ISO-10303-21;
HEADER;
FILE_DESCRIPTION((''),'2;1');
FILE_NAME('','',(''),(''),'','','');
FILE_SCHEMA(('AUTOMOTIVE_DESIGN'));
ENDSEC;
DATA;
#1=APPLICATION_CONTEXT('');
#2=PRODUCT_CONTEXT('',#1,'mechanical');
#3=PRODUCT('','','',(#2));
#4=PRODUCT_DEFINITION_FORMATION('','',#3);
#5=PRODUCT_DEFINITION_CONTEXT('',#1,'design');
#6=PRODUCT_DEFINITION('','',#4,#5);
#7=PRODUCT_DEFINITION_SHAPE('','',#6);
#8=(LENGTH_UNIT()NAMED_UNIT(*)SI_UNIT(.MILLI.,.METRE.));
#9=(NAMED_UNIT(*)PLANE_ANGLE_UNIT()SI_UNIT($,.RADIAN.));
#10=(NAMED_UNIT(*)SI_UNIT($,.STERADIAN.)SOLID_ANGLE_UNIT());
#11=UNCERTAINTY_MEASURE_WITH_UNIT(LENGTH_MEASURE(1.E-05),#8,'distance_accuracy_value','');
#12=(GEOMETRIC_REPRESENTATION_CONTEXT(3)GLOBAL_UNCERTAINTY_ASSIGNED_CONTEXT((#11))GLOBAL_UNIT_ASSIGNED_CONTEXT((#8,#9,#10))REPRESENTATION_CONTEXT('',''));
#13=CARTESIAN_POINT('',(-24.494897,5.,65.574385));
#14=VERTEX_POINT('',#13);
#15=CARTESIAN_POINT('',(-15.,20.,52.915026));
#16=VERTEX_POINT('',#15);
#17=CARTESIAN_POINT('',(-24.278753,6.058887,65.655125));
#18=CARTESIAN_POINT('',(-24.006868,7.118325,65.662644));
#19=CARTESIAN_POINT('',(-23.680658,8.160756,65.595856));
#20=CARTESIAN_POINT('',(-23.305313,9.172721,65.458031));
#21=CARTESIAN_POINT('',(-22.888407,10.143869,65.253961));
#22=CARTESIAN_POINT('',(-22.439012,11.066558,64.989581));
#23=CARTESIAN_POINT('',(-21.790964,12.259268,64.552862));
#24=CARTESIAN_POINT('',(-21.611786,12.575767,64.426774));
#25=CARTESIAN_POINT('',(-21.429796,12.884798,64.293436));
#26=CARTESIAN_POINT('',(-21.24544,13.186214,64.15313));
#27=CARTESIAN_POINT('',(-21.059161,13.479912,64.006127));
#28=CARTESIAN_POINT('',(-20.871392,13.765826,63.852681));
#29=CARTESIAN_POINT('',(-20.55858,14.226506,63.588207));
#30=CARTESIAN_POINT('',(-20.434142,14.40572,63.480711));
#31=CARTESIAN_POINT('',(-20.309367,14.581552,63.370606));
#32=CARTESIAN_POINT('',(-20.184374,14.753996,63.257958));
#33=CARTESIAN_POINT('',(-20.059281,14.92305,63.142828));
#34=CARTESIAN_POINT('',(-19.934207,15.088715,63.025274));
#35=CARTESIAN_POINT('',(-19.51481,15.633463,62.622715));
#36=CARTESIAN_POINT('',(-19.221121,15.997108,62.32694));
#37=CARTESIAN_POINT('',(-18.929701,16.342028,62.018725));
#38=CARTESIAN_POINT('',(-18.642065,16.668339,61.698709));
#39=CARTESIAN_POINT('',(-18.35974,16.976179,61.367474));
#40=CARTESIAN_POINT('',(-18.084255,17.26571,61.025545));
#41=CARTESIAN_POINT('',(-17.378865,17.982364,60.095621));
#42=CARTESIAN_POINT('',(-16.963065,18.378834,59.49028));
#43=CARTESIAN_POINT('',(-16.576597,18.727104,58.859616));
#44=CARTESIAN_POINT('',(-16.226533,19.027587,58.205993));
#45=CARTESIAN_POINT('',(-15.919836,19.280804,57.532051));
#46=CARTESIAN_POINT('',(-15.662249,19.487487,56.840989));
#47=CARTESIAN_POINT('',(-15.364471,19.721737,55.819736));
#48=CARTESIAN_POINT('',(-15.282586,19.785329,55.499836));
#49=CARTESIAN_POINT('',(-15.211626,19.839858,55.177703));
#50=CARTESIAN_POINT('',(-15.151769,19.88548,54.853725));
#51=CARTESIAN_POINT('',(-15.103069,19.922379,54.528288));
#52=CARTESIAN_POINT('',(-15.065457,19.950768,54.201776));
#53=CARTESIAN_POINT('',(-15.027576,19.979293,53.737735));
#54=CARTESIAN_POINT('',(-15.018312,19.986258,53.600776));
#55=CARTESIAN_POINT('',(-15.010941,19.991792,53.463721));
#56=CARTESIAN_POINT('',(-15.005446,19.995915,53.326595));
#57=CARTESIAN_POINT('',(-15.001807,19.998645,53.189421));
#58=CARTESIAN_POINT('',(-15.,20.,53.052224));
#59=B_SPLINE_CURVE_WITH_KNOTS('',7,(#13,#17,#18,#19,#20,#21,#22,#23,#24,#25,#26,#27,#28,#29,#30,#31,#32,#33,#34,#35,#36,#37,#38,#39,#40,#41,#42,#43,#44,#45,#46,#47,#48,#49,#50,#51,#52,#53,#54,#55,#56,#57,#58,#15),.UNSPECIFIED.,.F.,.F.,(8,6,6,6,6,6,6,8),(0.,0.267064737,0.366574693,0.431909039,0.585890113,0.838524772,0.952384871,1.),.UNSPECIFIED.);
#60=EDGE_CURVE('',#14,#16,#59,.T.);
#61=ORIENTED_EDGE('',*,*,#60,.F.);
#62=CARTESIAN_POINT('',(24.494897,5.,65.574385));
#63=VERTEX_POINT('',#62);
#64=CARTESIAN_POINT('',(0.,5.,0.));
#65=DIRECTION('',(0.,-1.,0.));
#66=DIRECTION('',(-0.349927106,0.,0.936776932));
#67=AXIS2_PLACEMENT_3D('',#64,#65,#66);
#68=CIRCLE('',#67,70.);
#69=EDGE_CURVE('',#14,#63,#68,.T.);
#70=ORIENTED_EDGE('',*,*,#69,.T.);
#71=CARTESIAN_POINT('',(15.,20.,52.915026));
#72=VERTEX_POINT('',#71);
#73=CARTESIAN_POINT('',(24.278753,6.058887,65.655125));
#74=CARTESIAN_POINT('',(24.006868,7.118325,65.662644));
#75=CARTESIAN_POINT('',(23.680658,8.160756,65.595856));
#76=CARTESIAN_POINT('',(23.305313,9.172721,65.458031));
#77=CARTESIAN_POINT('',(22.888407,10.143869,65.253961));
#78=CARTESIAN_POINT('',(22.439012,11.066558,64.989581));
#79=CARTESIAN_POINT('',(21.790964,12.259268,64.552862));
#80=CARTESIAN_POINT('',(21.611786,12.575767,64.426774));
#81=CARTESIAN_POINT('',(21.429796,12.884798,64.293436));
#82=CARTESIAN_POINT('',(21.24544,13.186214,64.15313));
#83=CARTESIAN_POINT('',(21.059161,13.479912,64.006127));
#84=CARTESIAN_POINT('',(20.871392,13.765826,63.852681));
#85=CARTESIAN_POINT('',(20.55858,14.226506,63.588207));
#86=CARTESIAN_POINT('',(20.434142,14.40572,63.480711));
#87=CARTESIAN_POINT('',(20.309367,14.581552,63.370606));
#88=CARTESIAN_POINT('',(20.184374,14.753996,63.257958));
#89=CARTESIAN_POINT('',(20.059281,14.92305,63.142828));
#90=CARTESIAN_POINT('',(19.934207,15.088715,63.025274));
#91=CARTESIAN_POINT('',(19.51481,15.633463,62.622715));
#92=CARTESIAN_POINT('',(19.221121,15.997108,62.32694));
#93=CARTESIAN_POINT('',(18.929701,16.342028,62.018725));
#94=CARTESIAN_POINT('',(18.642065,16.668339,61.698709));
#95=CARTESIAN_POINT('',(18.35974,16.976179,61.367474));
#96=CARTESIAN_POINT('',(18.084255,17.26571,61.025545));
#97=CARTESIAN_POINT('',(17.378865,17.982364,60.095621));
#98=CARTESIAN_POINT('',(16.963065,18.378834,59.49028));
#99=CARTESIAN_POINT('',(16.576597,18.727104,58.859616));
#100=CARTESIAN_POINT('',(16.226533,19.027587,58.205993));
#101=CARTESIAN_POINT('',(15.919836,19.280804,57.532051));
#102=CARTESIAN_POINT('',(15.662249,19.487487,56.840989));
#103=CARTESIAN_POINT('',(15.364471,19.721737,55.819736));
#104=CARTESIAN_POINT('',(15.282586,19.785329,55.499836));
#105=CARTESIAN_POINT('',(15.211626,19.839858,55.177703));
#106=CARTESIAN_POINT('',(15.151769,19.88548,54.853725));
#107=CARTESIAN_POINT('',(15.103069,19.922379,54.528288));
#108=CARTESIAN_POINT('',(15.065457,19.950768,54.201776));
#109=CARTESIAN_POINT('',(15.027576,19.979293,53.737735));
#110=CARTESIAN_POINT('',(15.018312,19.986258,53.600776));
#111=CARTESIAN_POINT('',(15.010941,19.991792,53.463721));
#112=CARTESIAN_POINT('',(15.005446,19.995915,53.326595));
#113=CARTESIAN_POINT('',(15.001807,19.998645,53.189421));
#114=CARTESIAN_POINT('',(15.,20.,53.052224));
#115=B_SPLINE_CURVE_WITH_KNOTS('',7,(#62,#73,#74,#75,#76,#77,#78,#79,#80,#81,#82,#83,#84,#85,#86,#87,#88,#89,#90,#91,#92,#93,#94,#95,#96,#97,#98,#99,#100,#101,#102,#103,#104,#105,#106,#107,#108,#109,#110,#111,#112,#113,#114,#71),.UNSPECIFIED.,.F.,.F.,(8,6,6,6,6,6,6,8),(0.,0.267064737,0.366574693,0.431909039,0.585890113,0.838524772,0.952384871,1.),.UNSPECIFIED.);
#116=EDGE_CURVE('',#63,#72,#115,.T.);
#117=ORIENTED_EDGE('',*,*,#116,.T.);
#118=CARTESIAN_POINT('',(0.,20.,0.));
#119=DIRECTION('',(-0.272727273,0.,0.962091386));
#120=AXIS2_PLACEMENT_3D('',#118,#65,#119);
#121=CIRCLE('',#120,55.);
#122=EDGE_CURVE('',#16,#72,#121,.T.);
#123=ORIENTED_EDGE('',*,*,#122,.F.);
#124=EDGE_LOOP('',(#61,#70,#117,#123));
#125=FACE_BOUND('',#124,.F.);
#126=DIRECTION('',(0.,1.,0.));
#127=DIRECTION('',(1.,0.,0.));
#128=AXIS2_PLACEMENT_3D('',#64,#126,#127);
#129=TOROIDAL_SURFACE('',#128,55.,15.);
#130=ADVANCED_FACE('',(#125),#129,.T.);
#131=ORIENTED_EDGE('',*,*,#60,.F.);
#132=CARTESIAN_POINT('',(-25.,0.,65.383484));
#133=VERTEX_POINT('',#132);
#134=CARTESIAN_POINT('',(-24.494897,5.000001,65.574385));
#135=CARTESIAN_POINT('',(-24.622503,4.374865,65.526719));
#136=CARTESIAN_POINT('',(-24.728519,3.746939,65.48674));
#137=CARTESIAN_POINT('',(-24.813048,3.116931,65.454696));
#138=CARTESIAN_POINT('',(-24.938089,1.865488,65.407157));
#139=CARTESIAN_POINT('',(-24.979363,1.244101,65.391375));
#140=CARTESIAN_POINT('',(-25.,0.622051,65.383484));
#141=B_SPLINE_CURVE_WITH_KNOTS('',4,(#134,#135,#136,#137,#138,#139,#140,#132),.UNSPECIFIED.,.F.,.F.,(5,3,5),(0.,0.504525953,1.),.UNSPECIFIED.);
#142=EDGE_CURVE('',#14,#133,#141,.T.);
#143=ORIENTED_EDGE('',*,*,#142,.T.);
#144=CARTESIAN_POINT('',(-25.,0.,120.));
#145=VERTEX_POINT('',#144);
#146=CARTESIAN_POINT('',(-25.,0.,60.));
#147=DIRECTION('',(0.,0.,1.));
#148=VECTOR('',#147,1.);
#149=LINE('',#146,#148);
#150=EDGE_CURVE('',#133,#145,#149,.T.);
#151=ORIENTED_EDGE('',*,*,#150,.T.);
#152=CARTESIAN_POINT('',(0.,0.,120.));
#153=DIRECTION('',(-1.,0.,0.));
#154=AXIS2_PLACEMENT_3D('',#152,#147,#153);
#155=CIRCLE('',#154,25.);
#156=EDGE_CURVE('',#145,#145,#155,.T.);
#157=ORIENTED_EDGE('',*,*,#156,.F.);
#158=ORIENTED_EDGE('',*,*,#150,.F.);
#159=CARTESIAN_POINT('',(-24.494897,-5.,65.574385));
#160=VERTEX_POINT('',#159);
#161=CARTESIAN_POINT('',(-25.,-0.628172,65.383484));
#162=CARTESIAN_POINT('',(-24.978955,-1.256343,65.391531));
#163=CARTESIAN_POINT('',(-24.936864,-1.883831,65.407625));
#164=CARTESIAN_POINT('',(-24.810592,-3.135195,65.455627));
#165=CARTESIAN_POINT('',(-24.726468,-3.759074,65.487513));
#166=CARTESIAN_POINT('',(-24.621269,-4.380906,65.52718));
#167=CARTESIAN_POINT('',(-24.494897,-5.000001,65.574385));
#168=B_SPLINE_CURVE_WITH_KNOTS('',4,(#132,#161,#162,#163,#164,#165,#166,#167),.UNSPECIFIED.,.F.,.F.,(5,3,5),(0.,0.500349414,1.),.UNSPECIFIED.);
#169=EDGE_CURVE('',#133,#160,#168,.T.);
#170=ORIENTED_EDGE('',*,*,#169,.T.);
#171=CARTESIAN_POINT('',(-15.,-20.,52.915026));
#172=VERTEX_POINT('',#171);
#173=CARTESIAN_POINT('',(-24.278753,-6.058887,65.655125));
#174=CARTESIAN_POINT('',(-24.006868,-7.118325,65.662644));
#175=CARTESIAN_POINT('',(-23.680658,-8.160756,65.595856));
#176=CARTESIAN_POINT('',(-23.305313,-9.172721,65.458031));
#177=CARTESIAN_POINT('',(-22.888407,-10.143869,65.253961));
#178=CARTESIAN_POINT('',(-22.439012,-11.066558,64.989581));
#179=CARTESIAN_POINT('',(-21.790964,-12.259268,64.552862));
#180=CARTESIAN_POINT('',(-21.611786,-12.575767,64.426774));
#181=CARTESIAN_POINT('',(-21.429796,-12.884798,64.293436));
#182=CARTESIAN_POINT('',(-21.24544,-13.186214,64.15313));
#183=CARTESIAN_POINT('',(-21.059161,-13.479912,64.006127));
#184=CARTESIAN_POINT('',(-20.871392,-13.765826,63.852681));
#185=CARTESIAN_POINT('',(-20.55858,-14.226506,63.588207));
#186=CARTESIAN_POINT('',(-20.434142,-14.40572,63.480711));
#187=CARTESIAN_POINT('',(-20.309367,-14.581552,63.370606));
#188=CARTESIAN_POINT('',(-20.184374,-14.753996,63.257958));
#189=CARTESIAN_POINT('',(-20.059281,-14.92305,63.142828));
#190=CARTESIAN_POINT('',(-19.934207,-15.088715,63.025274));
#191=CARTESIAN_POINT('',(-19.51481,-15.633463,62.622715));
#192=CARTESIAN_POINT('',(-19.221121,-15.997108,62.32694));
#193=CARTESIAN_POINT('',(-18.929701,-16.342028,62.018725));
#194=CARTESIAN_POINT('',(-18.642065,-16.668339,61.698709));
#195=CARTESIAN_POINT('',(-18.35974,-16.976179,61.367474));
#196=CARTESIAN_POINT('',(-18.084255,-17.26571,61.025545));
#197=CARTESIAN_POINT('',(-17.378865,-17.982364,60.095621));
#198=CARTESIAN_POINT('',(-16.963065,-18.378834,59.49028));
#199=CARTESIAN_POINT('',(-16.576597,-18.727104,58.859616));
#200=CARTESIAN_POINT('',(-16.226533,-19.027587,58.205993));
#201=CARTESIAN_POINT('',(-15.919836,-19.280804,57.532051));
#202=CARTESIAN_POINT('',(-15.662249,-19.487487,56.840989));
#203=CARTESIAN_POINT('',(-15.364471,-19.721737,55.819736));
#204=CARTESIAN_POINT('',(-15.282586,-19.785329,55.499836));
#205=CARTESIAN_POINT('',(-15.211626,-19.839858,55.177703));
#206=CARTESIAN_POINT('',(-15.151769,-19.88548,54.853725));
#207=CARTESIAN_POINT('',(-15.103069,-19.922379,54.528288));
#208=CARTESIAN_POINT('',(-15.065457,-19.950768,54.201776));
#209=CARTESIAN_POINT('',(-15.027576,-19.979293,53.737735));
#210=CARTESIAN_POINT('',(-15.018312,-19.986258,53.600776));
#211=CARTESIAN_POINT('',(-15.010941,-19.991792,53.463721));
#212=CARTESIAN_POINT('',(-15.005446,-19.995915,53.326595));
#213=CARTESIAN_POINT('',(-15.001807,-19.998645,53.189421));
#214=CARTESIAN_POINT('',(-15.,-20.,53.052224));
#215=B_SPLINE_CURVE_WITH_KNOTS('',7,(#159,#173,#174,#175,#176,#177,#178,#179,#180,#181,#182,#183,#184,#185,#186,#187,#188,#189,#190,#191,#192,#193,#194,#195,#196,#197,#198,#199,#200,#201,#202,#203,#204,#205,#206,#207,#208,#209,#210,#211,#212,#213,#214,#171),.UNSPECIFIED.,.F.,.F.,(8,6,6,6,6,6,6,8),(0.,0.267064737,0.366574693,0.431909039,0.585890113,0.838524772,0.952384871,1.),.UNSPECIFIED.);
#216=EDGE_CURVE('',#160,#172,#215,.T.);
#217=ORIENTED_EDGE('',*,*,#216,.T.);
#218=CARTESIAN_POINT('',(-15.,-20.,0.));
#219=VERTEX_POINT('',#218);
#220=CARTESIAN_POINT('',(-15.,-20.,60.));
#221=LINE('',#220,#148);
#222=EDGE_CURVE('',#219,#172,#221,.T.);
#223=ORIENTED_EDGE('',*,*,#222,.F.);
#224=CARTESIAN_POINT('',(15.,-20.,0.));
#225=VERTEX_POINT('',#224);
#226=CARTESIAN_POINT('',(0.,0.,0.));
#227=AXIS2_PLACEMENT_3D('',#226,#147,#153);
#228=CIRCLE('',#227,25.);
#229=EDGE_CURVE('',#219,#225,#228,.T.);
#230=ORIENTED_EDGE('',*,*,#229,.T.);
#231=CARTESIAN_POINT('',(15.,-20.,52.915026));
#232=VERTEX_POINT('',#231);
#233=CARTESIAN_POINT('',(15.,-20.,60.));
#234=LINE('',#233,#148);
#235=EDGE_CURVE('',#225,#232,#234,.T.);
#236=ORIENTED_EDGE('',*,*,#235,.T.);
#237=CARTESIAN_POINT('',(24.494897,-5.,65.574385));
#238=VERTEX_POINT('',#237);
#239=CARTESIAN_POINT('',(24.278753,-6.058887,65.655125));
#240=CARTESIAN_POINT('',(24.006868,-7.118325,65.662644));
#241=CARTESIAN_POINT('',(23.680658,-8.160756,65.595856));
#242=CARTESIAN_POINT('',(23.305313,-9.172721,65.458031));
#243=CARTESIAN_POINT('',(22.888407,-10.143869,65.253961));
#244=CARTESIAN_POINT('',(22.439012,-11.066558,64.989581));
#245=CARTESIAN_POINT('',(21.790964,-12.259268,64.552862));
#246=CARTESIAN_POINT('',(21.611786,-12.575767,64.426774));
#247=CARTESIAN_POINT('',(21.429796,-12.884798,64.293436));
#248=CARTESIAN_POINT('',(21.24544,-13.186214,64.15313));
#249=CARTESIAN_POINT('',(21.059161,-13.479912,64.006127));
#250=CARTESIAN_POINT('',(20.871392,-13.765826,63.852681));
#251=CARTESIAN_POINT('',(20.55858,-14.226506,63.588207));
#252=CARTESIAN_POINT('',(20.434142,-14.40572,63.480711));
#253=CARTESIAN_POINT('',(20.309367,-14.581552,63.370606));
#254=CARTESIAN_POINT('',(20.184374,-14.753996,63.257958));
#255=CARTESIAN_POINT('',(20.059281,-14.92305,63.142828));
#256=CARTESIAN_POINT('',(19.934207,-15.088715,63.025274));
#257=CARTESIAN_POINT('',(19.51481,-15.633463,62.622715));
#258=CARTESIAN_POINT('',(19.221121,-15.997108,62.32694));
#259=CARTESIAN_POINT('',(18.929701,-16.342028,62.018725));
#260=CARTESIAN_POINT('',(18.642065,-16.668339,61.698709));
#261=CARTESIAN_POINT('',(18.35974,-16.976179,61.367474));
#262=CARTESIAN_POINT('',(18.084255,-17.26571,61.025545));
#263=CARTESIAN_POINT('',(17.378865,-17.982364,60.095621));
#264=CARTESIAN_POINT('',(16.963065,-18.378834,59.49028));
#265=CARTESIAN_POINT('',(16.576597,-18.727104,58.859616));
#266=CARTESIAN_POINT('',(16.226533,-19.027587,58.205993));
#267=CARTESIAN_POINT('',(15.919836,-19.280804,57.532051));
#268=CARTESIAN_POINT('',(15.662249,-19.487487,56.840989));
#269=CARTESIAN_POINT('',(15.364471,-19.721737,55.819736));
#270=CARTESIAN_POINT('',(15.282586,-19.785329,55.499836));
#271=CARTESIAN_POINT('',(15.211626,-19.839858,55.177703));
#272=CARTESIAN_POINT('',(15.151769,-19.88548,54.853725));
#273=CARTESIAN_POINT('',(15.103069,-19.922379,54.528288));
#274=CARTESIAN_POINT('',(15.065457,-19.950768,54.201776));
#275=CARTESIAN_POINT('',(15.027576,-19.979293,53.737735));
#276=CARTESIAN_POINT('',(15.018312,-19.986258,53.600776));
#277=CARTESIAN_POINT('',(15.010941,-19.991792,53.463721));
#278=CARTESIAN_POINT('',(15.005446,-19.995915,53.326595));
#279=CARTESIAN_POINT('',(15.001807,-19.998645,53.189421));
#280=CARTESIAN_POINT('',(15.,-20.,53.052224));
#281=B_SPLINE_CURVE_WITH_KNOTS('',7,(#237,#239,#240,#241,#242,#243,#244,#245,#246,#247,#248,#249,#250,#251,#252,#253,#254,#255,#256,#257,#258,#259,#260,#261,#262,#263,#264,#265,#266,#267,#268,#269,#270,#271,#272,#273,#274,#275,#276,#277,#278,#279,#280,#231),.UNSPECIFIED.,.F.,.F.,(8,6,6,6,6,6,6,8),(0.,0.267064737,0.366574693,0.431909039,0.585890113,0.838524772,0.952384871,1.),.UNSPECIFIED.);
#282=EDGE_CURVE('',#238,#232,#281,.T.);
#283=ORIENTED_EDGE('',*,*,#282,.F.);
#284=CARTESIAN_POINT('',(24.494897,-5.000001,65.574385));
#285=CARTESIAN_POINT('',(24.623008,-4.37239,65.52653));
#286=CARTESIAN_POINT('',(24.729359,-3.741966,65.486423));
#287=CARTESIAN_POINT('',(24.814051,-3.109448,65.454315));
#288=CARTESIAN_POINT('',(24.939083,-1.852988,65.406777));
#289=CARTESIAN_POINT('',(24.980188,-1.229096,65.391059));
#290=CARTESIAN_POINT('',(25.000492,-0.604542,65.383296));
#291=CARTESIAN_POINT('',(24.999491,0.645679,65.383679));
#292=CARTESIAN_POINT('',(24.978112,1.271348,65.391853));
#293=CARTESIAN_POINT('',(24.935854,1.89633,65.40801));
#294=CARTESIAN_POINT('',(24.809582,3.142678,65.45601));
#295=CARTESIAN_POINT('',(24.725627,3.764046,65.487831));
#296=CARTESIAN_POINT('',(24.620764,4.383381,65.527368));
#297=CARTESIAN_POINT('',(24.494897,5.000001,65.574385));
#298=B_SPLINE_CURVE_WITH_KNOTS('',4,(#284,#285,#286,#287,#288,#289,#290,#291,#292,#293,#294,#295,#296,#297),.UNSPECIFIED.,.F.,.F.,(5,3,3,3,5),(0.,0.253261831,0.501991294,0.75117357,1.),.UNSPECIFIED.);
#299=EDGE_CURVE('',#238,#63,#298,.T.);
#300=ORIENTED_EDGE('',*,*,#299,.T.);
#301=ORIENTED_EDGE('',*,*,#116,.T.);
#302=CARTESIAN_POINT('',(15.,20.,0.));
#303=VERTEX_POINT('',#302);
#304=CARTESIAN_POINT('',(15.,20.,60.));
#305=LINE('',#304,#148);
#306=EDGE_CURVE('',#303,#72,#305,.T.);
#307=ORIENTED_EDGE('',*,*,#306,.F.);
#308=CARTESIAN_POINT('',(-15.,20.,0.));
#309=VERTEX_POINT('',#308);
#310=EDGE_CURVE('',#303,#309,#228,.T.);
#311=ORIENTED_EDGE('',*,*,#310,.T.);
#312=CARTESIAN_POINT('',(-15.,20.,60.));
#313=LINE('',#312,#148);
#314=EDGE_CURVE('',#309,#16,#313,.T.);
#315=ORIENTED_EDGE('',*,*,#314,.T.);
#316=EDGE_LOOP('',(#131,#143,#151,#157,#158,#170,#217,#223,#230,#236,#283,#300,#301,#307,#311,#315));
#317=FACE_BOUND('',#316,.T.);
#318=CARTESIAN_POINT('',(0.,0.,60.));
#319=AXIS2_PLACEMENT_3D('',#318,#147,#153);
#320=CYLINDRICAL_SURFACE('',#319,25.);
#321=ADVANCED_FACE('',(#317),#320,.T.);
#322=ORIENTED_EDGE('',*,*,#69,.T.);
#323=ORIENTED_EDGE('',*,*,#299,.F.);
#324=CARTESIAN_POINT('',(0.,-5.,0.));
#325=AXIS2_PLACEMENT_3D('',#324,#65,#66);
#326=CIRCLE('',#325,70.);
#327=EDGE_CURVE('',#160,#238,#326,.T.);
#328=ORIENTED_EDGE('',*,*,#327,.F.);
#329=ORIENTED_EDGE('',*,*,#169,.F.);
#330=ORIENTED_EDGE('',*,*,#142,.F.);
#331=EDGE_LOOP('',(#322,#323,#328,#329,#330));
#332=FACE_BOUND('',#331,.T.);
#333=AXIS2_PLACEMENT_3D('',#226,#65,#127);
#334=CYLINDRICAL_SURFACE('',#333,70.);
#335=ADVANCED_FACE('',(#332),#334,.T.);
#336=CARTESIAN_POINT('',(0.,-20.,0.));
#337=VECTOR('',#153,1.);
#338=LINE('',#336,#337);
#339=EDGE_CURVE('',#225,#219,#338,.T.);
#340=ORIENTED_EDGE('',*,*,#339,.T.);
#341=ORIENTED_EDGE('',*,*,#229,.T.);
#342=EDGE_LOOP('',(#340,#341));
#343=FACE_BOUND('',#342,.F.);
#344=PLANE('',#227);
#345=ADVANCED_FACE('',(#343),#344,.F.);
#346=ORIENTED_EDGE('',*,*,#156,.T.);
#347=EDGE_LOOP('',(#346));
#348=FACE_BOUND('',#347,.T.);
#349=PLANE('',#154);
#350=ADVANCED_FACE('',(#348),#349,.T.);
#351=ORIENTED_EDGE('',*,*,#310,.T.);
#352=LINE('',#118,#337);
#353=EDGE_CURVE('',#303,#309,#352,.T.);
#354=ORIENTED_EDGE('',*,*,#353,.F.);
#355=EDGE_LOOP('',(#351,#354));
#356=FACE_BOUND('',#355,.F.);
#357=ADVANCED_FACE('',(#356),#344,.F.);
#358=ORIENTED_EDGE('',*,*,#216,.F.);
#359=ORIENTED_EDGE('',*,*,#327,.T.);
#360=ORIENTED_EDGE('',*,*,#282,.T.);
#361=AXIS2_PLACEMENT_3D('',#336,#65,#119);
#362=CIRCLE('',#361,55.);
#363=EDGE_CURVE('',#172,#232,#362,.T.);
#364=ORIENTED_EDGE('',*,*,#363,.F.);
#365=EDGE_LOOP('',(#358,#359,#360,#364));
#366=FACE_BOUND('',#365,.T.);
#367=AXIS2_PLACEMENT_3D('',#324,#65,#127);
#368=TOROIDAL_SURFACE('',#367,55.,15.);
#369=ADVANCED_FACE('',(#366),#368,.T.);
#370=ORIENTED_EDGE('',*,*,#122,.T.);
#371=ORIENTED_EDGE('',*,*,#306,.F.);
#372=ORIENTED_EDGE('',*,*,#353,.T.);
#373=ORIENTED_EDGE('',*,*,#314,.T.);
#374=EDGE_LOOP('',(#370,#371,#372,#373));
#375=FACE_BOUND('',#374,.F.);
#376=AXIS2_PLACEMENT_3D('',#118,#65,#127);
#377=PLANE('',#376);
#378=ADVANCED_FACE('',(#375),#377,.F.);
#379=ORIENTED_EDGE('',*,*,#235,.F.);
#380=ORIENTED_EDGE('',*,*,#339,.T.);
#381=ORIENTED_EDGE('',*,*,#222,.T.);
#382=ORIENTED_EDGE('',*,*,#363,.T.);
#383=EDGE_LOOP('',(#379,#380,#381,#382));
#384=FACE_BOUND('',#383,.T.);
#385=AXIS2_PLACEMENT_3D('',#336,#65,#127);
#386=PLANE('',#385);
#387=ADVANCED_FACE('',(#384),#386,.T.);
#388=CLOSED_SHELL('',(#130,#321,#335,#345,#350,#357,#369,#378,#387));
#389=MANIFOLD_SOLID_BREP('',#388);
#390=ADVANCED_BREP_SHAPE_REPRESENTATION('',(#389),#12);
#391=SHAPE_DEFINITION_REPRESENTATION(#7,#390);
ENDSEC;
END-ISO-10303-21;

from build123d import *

# Parameters (mm, degrees)
F0_R     = 70
F1_DEPTH = 20
F2_R     = 15
F3_W     = 25
F3_H     = 120


with BuildPart() as f1:
    # F0 (on Front) → F1 (new body, symmetric)
    with BuildSketch(Plane.XZ):
        Circle(F0_R)
    extrude(amount=F1_DEPTH, both=True)

    # F2
    f2_edges = [f1.edges().sort_by_distance(p)[0] for p in [
        (-70, -20, 0),
        (-70, 20, 0),
    ]]
    fillet(f2_edges, radius=F2_R)

    # F3 (on Front) → F4 (revolve)
    with BuildSketch(Plane.XZ):
        with Locations((-12.5, 60)):
            Rectangle(F3_W, F3_H)
    revolve(axis=Axis((0, 0, 60), (0, 0, 1)))


solid = f1.part
